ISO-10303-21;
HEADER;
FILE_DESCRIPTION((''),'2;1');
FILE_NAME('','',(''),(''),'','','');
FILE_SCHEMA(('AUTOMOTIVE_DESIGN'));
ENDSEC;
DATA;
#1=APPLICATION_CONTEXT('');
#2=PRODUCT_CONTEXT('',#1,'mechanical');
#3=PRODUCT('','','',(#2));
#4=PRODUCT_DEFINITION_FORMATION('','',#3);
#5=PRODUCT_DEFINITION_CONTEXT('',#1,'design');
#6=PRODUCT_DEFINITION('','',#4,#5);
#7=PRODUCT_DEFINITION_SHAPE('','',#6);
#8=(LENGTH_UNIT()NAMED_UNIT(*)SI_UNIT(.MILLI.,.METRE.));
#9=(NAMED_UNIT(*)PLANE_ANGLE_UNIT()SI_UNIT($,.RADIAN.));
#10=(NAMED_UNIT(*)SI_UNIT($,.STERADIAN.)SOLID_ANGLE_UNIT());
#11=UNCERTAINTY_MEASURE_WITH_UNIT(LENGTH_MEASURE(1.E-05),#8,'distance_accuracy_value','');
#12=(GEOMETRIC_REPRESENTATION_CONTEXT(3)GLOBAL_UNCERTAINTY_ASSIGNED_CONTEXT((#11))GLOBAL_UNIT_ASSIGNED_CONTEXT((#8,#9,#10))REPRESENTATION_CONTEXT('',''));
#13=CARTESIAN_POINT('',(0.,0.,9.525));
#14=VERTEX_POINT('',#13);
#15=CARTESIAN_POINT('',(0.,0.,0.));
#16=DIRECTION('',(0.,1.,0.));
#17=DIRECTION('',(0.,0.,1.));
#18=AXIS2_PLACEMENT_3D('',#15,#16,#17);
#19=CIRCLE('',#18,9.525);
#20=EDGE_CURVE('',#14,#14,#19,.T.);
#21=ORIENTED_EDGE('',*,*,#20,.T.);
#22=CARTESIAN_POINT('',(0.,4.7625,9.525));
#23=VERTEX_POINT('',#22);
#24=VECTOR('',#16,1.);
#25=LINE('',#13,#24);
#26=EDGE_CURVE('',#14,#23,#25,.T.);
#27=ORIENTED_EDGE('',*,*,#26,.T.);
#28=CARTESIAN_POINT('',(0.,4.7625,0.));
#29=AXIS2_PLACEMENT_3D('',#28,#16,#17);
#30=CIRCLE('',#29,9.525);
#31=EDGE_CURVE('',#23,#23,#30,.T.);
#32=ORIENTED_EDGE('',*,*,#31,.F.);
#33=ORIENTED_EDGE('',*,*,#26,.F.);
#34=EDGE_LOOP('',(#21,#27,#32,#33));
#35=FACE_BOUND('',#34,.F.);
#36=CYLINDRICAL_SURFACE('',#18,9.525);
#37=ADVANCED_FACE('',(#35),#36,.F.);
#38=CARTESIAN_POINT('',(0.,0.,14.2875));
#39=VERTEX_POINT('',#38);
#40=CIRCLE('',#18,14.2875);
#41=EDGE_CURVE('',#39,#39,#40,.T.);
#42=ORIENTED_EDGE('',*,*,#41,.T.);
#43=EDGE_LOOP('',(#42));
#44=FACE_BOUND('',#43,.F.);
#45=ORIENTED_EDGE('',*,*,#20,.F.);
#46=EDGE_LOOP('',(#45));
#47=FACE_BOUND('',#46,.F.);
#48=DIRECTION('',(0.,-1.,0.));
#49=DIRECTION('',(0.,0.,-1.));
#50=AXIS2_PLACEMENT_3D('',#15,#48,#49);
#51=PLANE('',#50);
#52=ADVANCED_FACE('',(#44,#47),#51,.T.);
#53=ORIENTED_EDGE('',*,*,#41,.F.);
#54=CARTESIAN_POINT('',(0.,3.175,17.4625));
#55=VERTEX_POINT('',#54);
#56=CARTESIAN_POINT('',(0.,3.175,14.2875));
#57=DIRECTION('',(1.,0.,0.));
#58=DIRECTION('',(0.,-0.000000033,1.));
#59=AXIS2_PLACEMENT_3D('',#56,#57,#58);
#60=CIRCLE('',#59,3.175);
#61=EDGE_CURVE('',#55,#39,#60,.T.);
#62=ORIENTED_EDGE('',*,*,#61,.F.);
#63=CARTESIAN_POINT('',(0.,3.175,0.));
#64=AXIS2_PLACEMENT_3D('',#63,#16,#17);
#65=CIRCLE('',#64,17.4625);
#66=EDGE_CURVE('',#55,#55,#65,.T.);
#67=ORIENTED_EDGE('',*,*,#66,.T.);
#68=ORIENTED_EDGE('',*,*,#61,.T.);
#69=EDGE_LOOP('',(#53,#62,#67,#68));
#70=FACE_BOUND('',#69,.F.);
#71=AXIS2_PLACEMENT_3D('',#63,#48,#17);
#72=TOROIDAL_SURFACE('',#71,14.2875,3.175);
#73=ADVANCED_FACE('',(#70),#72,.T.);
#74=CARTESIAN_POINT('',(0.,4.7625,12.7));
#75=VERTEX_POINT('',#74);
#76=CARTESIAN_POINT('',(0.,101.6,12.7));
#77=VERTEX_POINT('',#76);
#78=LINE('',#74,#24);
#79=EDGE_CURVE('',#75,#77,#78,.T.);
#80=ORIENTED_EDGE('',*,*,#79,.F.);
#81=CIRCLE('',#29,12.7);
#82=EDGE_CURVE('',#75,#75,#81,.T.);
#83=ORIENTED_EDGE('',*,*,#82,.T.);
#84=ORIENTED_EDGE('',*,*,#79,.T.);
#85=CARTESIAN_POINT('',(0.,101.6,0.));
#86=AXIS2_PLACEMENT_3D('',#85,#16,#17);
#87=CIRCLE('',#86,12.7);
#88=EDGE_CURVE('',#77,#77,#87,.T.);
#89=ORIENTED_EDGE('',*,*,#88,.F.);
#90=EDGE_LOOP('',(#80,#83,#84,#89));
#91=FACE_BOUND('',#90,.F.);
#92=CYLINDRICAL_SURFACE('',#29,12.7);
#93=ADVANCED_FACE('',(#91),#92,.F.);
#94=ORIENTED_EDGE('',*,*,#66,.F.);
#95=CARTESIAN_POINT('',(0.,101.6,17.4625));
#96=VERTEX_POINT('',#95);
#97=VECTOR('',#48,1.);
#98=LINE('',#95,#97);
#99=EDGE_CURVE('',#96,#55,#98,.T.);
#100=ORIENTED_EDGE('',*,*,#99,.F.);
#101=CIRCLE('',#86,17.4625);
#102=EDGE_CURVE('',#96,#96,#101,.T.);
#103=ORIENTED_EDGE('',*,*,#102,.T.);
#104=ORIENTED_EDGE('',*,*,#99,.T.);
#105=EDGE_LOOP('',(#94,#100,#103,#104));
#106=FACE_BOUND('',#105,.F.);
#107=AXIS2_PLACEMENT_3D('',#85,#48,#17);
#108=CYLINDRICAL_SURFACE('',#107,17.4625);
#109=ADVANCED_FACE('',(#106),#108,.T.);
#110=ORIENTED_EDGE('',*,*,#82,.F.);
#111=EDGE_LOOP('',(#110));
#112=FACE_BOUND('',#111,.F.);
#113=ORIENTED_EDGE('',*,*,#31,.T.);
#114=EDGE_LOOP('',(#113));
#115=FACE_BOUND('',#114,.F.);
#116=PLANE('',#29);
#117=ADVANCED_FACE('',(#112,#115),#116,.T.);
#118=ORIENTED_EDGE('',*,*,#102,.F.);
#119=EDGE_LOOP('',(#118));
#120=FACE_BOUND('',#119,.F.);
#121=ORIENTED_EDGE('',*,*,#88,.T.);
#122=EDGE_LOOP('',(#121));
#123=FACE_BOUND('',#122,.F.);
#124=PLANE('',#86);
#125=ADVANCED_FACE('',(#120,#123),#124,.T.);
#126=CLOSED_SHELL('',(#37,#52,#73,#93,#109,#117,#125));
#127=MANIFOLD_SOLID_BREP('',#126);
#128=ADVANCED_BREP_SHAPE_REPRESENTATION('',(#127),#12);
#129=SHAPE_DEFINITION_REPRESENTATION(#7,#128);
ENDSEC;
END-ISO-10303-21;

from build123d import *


with BuildPart() as f1:
    # F0 (on Right) → F1 (revolve)
    with BuildSketch(Plane.YZ):
        with BuildLine():
            Line((4.7625, 9.525), (4.7625, 12.7))
            Line((4.7625, 12.7), (101.6, 12.7))
            Line((101.6, 12.7), (101.6, 17.4625))
            Line((101.6, 17.4625), (3.175, 17.4625))
            ThreePointArc((3.175, 17.4625), (0.929936, 16.532564), (0, 14.2875))
            Line((0, 14.2875), (0, 12.7))
            Line((0, 12.7), (0, 9.525))
            Line((0, 9.525), (4.7625, 9.525))
        make_face()
    revolve(axis=Axis((0, 51.01543, 0), (0, 1, 0)))


solid = f1.part
